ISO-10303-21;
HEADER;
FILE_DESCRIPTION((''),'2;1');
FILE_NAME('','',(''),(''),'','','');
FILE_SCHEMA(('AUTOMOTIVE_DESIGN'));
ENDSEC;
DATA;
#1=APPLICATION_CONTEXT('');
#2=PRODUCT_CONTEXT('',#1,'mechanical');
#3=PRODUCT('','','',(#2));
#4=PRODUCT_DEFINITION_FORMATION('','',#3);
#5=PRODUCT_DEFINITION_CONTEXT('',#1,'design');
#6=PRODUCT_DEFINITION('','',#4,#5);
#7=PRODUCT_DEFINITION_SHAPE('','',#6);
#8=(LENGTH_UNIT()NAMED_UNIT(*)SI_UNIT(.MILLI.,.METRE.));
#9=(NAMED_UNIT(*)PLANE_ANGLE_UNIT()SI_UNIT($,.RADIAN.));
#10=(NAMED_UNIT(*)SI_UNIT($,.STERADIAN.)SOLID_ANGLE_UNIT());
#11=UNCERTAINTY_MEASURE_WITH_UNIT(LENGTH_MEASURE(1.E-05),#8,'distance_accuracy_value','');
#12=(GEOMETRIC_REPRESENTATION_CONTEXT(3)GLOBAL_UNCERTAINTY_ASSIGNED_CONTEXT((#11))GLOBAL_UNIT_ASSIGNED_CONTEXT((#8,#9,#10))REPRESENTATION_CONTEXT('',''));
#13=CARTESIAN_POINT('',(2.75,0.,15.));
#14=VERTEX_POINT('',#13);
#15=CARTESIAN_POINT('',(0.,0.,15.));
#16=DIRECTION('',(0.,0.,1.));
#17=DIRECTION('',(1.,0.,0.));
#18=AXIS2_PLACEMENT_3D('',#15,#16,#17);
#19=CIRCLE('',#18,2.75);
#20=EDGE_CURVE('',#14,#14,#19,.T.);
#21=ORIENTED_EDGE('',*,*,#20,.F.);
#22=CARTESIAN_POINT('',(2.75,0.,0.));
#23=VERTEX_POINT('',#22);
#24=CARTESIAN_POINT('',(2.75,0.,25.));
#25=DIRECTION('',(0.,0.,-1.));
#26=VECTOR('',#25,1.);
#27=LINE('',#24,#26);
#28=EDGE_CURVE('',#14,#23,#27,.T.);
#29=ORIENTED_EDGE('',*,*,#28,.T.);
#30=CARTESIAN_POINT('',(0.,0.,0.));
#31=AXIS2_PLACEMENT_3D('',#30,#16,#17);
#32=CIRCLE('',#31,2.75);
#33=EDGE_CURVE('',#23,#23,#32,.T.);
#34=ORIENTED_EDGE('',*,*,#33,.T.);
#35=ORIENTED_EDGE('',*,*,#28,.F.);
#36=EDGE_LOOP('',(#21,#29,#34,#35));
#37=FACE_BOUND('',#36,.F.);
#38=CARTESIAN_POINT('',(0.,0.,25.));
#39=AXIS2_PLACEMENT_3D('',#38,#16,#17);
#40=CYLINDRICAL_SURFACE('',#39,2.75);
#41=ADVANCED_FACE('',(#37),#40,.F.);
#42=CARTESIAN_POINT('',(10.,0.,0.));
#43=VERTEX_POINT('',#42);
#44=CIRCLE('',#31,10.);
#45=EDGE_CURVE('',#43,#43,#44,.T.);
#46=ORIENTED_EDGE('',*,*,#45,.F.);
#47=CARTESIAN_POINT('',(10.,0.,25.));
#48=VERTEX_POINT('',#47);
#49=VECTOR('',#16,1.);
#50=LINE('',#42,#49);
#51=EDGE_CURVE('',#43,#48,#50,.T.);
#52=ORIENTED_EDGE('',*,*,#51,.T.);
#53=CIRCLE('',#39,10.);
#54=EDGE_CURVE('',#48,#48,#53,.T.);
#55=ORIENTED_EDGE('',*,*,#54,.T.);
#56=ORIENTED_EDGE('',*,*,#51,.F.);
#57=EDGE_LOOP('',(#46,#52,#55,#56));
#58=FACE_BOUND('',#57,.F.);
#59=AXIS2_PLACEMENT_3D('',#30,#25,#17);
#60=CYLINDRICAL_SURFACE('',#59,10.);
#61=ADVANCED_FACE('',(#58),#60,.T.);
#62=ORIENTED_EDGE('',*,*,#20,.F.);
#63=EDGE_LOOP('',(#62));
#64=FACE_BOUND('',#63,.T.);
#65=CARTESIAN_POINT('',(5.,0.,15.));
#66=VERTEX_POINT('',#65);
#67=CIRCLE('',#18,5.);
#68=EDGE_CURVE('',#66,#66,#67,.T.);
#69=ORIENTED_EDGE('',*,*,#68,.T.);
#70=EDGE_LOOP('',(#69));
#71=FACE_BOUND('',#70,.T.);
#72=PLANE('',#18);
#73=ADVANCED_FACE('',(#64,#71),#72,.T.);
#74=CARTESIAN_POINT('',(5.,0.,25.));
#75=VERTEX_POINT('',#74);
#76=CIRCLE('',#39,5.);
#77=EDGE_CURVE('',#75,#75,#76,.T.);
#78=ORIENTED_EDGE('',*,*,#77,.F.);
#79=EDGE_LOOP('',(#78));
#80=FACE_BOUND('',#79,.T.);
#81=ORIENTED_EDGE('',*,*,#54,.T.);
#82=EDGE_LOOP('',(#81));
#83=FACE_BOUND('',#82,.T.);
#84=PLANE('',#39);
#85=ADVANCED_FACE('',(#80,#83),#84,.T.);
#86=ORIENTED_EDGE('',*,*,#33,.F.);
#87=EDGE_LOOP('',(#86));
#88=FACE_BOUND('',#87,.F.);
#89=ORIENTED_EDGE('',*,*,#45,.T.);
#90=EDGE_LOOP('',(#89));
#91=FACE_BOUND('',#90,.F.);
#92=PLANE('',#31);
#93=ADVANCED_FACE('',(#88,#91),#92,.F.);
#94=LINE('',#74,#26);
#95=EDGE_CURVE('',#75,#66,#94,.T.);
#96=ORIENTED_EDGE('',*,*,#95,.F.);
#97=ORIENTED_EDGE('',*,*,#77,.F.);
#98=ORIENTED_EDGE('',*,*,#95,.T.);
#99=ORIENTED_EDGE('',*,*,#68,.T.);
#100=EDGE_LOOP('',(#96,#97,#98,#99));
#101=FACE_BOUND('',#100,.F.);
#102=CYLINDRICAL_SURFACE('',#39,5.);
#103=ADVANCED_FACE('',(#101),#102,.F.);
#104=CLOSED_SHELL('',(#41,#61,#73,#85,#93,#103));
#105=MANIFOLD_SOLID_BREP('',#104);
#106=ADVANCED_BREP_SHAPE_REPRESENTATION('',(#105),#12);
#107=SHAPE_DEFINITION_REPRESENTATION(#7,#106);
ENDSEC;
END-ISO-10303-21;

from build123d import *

# Parameters (mm, degrees)
SKETCH_R        = 10
PAD_DEPTH       = 25
SKETCH001_R     = 2.75
POCKET_DEPTH    = 25.001
SKETCH002_R     = 5
POCKET001_DEPTH = 10


with BuildPart() as part:
    # Sketch → Pad (new body)
    with BuildSketch(Plane.XY):
        Circle(SKETCH_R)
    extrude(amount=PAD_DEPTH)

    # Sketch001 (on Face3 of Pad) → Pocket (cut, through all)
    with BuildSketch(Plane.XY.offset(25)):
        Circle(SKETCH001_R)
    extrude(amount=-POCKET_DEPTH, mode=Mode.SUBTRACT)

    # Sketch002 (on Face3 of Pocket) → Pocket001 (cut)
    with BuildSketch(Plane.XY.offset(25)):
        Circle(SKETCH002_R)
    extrude(amount=-POCKET001_DEPTH, mode=Mode.SUBTRACT)


solid = part.part
